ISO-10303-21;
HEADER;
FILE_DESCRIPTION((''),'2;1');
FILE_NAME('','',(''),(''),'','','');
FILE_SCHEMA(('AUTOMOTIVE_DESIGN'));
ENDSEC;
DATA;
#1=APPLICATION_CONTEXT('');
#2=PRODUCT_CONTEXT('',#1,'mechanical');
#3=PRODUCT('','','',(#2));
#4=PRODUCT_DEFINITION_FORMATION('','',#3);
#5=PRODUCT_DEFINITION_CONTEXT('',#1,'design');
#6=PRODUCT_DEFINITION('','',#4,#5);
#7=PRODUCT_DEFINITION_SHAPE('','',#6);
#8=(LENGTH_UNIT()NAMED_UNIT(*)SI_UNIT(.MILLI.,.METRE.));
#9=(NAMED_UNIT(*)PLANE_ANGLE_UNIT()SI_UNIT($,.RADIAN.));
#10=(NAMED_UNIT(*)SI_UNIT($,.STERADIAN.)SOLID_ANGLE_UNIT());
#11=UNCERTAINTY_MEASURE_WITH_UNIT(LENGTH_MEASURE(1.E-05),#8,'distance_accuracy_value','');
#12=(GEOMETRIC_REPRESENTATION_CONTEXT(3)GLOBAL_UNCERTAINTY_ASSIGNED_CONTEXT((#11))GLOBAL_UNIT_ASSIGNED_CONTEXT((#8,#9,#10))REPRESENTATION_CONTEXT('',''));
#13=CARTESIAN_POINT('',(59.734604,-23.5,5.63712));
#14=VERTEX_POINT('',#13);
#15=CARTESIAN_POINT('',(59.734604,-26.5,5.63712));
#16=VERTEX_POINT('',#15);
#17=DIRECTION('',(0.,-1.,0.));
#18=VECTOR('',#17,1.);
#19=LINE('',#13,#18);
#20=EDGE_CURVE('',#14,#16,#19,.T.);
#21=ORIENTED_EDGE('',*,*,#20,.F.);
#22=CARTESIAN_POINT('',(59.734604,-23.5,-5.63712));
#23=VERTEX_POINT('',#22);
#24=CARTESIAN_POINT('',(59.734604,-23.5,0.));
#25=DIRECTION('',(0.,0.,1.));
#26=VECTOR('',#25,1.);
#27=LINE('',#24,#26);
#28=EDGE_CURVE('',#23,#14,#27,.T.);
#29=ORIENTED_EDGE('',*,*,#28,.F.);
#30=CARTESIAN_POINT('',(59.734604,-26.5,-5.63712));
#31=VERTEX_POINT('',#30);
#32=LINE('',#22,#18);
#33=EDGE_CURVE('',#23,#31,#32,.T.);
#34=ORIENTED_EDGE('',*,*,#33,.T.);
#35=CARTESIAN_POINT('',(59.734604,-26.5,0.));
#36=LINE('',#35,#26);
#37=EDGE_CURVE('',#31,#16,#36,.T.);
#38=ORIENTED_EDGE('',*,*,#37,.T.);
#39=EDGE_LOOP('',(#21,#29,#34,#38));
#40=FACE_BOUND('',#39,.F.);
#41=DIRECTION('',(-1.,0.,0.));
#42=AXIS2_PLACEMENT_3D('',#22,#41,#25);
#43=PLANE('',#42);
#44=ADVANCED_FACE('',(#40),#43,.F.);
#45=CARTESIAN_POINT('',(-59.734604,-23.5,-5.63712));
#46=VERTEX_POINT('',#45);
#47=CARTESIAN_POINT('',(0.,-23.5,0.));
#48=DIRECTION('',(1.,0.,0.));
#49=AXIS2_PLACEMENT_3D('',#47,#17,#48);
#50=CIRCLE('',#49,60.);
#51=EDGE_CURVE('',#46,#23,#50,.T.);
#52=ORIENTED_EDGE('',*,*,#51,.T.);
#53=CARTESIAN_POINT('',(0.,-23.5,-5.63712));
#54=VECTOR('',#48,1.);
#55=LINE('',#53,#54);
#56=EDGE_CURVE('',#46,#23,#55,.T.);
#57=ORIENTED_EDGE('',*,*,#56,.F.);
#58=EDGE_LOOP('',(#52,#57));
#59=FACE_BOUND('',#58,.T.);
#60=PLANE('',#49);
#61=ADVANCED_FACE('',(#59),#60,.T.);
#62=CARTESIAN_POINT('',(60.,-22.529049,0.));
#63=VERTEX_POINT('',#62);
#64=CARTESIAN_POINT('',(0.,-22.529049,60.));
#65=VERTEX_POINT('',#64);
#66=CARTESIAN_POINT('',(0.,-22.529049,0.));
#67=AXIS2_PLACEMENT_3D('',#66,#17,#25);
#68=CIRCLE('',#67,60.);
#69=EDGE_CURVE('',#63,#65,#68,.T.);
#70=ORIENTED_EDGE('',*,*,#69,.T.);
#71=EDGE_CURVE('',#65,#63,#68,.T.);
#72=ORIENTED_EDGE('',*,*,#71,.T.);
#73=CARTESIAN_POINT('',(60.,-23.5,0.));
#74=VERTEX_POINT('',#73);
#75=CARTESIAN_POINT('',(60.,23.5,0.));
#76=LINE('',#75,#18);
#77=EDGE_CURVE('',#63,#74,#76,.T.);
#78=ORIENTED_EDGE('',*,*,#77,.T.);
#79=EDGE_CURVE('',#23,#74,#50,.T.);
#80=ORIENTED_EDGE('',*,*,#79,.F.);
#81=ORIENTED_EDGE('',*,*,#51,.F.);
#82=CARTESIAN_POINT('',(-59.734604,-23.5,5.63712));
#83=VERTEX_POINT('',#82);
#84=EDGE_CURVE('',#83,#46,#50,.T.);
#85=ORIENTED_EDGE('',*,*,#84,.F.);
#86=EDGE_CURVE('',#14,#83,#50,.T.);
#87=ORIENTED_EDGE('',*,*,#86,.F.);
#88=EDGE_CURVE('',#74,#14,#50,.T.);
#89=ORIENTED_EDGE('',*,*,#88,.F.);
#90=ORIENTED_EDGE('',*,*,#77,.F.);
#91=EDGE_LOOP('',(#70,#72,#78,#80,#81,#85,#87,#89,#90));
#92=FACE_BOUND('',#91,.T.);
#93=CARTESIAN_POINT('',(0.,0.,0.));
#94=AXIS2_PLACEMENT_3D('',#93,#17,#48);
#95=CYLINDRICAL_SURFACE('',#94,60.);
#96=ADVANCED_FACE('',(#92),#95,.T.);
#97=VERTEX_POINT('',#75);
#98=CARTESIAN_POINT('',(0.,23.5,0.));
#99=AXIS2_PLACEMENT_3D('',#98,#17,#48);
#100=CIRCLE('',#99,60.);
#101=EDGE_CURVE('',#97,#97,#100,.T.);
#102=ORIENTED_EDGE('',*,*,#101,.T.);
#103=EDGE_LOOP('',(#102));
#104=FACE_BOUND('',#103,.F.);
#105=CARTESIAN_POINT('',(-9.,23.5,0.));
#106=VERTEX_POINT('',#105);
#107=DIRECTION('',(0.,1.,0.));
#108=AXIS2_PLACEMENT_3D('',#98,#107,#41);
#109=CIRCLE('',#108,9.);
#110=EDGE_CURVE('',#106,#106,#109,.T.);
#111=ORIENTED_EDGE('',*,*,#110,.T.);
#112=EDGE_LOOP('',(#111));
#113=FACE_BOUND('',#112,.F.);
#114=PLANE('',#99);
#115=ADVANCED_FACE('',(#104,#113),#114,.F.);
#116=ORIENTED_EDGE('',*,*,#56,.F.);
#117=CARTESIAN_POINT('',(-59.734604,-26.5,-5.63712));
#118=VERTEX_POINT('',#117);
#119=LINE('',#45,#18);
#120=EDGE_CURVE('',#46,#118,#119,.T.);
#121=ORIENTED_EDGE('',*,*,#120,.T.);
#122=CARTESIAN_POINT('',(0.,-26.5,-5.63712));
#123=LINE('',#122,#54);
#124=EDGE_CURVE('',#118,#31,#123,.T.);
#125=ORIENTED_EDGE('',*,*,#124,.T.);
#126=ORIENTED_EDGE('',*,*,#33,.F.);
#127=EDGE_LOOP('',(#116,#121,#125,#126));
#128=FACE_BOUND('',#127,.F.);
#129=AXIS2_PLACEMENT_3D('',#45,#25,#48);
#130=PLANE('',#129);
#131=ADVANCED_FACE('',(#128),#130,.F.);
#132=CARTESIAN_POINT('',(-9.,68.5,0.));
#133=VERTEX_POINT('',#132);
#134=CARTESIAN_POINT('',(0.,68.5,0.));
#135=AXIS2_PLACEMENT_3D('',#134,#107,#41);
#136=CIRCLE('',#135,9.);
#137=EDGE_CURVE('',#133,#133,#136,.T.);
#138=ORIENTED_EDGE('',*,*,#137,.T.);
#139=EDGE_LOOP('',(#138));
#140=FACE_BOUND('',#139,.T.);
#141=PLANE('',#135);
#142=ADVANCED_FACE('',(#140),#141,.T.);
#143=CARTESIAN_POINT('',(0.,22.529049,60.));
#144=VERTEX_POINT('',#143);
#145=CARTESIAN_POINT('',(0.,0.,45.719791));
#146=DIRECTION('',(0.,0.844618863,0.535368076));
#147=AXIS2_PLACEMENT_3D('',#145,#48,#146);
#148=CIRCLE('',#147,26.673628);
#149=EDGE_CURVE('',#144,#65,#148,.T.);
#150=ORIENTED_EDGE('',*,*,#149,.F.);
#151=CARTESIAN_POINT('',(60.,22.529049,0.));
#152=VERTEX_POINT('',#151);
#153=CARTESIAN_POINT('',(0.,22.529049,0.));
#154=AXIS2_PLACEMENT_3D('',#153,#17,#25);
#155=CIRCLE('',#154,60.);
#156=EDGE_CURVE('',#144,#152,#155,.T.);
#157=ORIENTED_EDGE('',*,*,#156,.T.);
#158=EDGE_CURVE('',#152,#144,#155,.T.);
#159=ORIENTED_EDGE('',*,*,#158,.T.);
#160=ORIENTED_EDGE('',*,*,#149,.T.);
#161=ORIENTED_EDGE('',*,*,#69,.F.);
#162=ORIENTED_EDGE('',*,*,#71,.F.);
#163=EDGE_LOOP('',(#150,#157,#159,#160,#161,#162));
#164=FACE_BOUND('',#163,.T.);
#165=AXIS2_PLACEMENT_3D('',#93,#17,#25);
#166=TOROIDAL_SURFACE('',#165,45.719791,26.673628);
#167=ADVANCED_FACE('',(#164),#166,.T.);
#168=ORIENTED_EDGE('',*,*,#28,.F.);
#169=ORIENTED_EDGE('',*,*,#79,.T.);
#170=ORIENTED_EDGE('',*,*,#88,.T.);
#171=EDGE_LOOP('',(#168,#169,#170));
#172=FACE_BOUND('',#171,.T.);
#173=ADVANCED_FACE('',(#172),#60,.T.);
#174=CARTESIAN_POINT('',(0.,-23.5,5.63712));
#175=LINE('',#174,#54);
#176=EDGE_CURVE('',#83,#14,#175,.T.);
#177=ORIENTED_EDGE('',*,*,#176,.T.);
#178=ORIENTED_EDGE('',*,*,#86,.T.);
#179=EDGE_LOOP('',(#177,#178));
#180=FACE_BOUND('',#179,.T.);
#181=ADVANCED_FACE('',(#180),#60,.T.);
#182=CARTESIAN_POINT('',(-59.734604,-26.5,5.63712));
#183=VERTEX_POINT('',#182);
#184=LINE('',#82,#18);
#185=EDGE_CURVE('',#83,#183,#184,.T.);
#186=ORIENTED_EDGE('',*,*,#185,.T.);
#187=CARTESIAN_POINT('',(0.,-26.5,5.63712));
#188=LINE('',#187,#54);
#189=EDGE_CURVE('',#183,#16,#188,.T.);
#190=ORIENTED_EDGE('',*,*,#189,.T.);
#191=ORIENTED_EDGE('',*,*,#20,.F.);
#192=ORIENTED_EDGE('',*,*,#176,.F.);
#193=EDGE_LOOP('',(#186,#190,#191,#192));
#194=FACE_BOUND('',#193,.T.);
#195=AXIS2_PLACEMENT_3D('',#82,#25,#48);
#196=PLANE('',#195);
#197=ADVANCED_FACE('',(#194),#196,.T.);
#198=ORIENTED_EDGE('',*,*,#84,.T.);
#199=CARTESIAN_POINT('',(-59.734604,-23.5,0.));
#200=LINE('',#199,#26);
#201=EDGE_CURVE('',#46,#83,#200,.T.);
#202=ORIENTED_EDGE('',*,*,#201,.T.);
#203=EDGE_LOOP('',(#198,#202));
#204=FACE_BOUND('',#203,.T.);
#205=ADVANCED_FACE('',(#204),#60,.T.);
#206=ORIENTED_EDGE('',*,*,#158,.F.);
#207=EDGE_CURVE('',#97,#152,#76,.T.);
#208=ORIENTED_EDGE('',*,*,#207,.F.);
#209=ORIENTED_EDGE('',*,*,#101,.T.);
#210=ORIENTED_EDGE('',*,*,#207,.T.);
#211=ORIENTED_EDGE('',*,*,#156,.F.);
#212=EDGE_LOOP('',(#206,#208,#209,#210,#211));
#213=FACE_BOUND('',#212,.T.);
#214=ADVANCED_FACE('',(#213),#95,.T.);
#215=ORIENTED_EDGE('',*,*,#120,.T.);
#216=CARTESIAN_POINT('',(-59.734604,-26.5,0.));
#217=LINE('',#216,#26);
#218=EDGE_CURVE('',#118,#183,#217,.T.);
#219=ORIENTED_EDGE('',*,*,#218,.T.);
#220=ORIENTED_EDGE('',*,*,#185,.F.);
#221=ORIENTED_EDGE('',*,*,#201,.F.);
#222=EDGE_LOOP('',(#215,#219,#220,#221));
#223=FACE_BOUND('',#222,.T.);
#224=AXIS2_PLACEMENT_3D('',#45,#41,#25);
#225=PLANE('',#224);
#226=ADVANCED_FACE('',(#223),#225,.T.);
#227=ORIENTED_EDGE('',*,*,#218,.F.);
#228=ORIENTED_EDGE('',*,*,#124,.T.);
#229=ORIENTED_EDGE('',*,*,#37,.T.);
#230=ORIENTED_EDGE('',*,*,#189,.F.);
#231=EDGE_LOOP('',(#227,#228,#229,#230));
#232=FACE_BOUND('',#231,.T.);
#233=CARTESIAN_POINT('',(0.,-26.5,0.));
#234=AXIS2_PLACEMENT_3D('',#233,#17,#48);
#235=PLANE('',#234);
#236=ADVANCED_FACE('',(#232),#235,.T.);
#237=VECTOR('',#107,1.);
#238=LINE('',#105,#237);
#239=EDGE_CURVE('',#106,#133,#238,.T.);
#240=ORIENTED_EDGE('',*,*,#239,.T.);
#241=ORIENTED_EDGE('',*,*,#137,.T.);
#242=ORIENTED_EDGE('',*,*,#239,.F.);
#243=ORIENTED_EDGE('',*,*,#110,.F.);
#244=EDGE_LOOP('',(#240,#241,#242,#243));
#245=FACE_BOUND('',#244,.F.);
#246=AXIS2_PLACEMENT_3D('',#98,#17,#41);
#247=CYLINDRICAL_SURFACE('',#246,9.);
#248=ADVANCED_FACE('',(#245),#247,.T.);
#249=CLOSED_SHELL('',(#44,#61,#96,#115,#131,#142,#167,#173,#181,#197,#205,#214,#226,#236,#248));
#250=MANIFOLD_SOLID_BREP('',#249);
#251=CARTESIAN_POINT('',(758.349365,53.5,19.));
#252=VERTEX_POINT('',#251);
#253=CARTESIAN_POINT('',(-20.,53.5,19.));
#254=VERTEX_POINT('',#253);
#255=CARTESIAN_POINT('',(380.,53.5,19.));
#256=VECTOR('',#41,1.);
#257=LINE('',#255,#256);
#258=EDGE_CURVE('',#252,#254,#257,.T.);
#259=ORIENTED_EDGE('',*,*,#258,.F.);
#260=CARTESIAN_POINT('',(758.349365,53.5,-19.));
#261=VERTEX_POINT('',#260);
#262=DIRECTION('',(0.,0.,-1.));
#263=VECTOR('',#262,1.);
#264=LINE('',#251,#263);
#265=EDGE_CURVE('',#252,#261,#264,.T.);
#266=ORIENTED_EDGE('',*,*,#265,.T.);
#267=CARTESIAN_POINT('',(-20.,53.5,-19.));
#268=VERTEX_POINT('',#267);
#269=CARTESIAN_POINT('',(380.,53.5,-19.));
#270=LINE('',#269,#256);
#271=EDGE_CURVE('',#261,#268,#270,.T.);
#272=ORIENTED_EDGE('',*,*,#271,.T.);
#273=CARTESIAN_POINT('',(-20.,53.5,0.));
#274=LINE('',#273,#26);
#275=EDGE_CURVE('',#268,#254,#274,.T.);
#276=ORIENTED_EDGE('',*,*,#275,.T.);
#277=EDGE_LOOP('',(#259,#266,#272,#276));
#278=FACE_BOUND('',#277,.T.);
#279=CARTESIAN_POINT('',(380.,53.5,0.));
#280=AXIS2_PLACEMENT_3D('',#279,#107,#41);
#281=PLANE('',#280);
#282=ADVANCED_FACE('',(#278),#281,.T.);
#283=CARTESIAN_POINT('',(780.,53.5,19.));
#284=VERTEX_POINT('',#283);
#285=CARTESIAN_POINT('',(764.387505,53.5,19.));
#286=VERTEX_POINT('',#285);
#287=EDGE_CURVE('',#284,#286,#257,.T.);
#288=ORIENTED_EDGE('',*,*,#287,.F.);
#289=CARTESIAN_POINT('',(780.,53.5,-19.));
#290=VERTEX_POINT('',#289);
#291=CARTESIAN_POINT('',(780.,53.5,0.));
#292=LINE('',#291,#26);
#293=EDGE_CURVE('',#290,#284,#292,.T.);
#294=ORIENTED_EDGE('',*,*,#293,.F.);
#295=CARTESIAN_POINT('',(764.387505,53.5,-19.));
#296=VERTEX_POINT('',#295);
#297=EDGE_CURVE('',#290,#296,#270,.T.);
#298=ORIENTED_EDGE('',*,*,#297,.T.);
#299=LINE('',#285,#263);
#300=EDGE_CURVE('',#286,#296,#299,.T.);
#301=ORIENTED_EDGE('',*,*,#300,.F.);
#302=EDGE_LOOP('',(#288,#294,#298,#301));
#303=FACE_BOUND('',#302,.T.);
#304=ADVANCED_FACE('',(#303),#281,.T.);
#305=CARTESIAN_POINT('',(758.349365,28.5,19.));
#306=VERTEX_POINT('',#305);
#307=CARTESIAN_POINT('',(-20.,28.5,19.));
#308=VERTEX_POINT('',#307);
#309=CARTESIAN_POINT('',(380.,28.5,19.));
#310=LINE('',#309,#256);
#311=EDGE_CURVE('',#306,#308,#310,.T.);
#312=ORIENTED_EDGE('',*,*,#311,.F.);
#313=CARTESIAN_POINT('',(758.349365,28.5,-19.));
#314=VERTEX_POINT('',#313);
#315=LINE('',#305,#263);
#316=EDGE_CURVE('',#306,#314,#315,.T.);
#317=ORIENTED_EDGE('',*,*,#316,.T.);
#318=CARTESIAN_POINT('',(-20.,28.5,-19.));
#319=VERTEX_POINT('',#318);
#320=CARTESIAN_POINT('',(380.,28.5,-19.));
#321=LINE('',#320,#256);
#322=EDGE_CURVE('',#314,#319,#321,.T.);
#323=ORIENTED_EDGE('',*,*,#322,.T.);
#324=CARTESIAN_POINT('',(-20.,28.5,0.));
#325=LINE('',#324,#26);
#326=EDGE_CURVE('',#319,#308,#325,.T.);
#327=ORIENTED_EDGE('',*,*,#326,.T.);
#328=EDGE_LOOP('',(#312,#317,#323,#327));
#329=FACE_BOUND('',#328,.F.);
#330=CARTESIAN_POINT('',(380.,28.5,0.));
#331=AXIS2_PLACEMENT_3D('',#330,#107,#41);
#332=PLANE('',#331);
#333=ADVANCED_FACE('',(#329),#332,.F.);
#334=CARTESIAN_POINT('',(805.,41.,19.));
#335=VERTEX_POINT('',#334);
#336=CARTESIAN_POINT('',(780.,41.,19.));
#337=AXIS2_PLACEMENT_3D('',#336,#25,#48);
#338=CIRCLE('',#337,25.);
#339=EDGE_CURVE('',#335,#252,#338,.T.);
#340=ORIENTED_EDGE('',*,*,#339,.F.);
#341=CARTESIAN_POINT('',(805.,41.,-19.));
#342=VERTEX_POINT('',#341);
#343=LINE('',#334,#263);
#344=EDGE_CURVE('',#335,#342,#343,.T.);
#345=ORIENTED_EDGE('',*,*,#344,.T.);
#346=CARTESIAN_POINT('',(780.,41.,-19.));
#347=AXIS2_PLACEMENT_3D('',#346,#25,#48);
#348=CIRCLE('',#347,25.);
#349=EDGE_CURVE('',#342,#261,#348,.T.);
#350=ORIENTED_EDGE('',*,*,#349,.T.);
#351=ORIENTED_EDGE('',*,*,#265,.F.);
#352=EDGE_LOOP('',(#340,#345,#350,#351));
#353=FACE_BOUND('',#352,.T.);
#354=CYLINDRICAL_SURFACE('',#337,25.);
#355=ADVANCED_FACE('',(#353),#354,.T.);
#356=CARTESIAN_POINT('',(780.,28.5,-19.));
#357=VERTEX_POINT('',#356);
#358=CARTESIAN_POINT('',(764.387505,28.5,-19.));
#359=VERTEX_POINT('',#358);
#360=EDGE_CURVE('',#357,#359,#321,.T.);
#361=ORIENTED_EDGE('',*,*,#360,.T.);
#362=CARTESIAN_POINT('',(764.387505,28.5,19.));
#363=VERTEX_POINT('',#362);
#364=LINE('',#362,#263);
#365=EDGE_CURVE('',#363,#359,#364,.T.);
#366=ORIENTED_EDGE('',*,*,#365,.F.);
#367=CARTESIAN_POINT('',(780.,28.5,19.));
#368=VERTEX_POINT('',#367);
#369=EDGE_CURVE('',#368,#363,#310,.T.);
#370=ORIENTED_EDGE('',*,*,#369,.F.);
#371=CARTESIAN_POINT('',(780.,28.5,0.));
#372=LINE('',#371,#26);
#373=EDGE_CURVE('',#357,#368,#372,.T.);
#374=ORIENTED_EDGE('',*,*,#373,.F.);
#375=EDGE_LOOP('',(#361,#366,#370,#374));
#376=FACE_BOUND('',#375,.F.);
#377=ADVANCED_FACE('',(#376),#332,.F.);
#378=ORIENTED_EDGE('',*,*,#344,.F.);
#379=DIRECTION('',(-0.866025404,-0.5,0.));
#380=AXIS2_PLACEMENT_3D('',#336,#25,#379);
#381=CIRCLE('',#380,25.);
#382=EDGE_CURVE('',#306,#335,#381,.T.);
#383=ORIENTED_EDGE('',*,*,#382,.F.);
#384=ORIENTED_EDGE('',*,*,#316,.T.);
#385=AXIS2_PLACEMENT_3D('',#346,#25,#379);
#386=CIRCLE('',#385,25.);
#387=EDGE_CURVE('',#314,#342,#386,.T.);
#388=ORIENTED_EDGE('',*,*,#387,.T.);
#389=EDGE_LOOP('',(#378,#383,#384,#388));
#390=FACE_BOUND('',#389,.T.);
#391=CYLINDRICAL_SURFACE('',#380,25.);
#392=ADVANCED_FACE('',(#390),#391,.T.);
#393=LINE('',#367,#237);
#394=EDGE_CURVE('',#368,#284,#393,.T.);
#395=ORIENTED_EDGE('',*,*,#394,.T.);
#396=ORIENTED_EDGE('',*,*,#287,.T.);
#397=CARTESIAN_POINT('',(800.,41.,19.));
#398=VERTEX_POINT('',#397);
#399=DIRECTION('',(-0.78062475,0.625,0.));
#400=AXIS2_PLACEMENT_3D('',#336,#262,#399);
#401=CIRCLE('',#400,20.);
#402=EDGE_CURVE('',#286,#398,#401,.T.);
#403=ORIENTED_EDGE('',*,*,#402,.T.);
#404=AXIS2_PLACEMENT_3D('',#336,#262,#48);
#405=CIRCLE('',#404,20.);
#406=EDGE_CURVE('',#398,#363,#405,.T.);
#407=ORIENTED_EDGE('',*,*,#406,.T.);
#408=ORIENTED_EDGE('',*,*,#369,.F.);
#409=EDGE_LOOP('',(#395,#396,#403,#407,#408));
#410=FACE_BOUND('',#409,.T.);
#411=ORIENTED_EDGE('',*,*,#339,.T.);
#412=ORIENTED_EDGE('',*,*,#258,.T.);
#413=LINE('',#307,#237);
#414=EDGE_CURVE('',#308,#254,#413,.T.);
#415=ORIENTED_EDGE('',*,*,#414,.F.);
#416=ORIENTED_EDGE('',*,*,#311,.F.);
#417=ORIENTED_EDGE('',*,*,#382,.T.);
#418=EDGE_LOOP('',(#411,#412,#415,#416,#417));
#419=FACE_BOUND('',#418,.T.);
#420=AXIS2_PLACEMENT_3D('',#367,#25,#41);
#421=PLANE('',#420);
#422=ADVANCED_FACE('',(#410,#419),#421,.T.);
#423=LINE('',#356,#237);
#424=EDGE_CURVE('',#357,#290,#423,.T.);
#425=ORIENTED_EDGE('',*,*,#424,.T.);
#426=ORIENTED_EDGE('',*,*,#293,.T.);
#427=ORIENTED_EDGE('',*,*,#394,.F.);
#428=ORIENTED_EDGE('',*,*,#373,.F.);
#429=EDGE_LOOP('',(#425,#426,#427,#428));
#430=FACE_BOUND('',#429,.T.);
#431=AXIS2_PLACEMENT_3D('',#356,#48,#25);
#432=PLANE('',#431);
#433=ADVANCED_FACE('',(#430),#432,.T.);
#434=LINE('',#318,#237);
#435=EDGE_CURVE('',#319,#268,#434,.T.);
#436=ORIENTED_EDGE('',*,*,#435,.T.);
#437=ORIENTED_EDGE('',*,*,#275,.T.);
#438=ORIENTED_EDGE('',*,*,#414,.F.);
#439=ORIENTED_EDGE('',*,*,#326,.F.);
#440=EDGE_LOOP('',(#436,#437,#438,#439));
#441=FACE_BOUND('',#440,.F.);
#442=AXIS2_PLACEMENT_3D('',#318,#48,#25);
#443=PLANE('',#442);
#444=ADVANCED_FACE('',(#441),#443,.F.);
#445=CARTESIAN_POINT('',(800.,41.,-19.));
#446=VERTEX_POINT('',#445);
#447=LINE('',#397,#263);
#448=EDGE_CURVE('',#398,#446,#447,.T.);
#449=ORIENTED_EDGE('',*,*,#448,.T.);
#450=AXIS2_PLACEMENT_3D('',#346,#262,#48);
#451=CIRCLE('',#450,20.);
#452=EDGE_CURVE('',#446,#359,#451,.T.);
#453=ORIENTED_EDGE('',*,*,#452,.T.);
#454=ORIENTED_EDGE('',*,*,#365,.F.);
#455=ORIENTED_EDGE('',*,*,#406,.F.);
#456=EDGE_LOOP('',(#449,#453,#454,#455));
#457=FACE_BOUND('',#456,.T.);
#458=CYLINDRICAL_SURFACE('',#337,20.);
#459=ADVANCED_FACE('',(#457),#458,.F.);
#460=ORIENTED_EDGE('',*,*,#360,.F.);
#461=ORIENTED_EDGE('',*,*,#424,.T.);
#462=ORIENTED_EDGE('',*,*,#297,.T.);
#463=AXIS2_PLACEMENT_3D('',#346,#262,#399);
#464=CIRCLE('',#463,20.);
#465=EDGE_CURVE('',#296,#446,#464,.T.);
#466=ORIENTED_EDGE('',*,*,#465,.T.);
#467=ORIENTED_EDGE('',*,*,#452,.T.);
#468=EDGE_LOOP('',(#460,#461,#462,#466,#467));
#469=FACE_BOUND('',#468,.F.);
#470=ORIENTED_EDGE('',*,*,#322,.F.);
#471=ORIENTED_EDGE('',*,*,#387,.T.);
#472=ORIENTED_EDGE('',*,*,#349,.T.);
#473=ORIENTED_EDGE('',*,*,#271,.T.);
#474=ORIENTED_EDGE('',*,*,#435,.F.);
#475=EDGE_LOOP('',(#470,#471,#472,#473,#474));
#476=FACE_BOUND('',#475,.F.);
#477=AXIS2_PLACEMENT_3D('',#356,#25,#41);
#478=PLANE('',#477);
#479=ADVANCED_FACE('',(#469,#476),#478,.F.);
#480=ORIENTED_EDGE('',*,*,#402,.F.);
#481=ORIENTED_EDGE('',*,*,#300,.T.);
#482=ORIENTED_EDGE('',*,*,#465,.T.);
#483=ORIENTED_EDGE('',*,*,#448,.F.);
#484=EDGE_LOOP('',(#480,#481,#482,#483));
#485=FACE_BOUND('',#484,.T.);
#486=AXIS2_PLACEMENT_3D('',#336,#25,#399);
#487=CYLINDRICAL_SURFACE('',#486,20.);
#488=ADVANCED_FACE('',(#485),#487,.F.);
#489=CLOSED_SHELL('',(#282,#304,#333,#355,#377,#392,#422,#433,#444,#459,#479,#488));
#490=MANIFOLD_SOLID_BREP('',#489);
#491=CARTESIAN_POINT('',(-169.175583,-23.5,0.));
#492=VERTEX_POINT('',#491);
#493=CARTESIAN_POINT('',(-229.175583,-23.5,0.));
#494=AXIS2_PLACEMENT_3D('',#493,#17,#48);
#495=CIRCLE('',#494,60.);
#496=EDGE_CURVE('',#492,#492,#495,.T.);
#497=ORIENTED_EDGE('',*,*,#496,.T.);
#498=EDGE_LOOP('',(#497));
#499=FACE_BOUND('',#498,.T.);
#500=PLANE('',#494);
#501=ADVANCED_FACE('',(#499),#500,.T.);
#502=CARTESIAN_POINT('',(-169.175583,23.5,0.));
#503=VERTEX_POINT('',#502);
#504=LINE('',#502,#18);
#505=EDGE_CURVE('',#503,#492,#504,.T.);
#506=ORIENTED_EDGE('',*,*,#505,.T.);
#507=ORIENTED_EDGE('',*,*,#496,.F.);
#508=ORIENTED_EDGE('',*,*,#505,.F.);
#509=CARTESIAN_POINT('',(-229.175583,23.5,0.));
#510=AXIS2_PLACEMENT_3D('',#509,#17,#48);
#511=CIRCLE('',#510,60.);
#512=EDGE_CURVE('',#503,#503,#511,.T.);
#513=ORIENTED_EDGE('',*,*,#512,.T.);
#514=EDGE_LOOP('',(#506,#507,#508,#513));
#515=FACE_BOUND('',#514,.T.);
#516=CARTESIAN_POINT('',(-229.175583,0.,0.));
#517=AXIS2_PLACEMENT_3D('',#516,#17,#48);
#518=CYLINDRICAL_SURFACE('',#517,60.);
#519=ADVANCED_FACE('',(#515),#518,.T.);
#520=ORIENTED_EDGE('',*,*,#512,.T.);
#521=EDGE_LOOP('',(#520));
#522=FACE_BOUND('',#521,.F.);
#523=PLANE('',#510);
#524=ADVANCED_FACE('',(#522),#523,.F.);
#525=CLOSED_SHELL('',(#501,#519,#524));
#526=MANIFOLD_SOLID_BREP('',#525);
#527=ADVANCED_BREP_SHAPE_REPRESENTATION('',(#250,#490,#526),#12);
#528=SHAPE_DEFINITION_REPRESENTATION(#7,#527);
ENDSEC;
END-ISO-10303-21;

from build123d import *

# Parameters (mm, degrees)
F0_R      = 60
F2_DEPTH  = 23.5
F1_R      = 60
F6_R      = 9
F7_DEPTH  = 45
F9_W      = 800
F9_H      = 38
F10_DEPTH = 25
F12_DEPTH = 38
F13_W     = 119.4692074683
F13_H     = 11.2742390827
F14_DEPTH = 3


with BuildPart() as f2:
    # F0 (on Front) → F2 (new body, symmetric)
    with BuildSketch(Plane.XZ):
        Circle(F0_R)
    extrude(amount=F2_DEPTH, both=True)

    # F4 (on face) → F5 (revolve)
    with BuildSketch(Plane.YZ):
        with BuildLine():
            Line((-22.529049166, 60), (22.529049166, 60))
            ThreePointArc((22.529049166, 60), (0, 72.3934189958), (-22.529049166, 60))
        make_face()
    revolve(axis=Axis((0, -3.9980601143, 0), (0, -1, 0)))

    # F6 (on face) → F7 (join)
    with BuildSketch(Plane(origin=(0, 23.5, 0), x_dir=(-1, 0, 0), z_dir=(0, 1, 0))):
        Circle(F6_R)
    extrude(amount=F7_DEPTH)

    # F13 (on face) → F14 (join)
    with BuildSketch(Plane.XZ.offset(23.5)):
        Rectangle(F13_W, F13_H)
    extrude(amount=F14_DEPTH)


with BuildPart() as f2b:
    # F1 (on Front) → F2, piece 2 (new body, symmetric)
    with BuildSketch(Plane.XZ):
        with Locations((-229.1755825281, 0)):
            Circle(F1_R)
    extrude(amount=F2_DEPTH, both=True)


with BuildPart() as f10:
    # F9 (on offset) → F10 (new body)
    with BuildSketch(Plane(origin=(0, 28.5, 0), x_dir=(-1, 0, 0), z_dir=(0, 1, 0))):
        with Locations((-380, 0)):
            Rectangle(F9_W, F9_H)
    extrude(amount=F10_DEPTH)

    # F11 (on face) → F12 (join)
    with BuildSketch(Plane.XY.offset(19)):
        with BuildLine():
            ThreePointArc((758.3493649054, 28.5), (786.4704761276, 16.8518543428), (805, 41))
            ThreePointArc((805, 41), (786.4704761276, 65.1481456572), (758.3493649054, 53.5))
            Line((758.3493649054, 53.5), (764.387505004, 53.5))
            ThreePointArc((764.387505004, 53.5), (786.623824427, 59.8712731409), (800, 41))
            ThreePointArc((800, 41), (786.623824427, 22.1287268591), (764.387505004, 28.5))
            Line((764.387505004, 28.5), (758.3493649054, 28.5))
        make_face()
    extrude(amount=-F12_DEPTH)


solid = Compound([f2.part, f2b.part, f10.part])
